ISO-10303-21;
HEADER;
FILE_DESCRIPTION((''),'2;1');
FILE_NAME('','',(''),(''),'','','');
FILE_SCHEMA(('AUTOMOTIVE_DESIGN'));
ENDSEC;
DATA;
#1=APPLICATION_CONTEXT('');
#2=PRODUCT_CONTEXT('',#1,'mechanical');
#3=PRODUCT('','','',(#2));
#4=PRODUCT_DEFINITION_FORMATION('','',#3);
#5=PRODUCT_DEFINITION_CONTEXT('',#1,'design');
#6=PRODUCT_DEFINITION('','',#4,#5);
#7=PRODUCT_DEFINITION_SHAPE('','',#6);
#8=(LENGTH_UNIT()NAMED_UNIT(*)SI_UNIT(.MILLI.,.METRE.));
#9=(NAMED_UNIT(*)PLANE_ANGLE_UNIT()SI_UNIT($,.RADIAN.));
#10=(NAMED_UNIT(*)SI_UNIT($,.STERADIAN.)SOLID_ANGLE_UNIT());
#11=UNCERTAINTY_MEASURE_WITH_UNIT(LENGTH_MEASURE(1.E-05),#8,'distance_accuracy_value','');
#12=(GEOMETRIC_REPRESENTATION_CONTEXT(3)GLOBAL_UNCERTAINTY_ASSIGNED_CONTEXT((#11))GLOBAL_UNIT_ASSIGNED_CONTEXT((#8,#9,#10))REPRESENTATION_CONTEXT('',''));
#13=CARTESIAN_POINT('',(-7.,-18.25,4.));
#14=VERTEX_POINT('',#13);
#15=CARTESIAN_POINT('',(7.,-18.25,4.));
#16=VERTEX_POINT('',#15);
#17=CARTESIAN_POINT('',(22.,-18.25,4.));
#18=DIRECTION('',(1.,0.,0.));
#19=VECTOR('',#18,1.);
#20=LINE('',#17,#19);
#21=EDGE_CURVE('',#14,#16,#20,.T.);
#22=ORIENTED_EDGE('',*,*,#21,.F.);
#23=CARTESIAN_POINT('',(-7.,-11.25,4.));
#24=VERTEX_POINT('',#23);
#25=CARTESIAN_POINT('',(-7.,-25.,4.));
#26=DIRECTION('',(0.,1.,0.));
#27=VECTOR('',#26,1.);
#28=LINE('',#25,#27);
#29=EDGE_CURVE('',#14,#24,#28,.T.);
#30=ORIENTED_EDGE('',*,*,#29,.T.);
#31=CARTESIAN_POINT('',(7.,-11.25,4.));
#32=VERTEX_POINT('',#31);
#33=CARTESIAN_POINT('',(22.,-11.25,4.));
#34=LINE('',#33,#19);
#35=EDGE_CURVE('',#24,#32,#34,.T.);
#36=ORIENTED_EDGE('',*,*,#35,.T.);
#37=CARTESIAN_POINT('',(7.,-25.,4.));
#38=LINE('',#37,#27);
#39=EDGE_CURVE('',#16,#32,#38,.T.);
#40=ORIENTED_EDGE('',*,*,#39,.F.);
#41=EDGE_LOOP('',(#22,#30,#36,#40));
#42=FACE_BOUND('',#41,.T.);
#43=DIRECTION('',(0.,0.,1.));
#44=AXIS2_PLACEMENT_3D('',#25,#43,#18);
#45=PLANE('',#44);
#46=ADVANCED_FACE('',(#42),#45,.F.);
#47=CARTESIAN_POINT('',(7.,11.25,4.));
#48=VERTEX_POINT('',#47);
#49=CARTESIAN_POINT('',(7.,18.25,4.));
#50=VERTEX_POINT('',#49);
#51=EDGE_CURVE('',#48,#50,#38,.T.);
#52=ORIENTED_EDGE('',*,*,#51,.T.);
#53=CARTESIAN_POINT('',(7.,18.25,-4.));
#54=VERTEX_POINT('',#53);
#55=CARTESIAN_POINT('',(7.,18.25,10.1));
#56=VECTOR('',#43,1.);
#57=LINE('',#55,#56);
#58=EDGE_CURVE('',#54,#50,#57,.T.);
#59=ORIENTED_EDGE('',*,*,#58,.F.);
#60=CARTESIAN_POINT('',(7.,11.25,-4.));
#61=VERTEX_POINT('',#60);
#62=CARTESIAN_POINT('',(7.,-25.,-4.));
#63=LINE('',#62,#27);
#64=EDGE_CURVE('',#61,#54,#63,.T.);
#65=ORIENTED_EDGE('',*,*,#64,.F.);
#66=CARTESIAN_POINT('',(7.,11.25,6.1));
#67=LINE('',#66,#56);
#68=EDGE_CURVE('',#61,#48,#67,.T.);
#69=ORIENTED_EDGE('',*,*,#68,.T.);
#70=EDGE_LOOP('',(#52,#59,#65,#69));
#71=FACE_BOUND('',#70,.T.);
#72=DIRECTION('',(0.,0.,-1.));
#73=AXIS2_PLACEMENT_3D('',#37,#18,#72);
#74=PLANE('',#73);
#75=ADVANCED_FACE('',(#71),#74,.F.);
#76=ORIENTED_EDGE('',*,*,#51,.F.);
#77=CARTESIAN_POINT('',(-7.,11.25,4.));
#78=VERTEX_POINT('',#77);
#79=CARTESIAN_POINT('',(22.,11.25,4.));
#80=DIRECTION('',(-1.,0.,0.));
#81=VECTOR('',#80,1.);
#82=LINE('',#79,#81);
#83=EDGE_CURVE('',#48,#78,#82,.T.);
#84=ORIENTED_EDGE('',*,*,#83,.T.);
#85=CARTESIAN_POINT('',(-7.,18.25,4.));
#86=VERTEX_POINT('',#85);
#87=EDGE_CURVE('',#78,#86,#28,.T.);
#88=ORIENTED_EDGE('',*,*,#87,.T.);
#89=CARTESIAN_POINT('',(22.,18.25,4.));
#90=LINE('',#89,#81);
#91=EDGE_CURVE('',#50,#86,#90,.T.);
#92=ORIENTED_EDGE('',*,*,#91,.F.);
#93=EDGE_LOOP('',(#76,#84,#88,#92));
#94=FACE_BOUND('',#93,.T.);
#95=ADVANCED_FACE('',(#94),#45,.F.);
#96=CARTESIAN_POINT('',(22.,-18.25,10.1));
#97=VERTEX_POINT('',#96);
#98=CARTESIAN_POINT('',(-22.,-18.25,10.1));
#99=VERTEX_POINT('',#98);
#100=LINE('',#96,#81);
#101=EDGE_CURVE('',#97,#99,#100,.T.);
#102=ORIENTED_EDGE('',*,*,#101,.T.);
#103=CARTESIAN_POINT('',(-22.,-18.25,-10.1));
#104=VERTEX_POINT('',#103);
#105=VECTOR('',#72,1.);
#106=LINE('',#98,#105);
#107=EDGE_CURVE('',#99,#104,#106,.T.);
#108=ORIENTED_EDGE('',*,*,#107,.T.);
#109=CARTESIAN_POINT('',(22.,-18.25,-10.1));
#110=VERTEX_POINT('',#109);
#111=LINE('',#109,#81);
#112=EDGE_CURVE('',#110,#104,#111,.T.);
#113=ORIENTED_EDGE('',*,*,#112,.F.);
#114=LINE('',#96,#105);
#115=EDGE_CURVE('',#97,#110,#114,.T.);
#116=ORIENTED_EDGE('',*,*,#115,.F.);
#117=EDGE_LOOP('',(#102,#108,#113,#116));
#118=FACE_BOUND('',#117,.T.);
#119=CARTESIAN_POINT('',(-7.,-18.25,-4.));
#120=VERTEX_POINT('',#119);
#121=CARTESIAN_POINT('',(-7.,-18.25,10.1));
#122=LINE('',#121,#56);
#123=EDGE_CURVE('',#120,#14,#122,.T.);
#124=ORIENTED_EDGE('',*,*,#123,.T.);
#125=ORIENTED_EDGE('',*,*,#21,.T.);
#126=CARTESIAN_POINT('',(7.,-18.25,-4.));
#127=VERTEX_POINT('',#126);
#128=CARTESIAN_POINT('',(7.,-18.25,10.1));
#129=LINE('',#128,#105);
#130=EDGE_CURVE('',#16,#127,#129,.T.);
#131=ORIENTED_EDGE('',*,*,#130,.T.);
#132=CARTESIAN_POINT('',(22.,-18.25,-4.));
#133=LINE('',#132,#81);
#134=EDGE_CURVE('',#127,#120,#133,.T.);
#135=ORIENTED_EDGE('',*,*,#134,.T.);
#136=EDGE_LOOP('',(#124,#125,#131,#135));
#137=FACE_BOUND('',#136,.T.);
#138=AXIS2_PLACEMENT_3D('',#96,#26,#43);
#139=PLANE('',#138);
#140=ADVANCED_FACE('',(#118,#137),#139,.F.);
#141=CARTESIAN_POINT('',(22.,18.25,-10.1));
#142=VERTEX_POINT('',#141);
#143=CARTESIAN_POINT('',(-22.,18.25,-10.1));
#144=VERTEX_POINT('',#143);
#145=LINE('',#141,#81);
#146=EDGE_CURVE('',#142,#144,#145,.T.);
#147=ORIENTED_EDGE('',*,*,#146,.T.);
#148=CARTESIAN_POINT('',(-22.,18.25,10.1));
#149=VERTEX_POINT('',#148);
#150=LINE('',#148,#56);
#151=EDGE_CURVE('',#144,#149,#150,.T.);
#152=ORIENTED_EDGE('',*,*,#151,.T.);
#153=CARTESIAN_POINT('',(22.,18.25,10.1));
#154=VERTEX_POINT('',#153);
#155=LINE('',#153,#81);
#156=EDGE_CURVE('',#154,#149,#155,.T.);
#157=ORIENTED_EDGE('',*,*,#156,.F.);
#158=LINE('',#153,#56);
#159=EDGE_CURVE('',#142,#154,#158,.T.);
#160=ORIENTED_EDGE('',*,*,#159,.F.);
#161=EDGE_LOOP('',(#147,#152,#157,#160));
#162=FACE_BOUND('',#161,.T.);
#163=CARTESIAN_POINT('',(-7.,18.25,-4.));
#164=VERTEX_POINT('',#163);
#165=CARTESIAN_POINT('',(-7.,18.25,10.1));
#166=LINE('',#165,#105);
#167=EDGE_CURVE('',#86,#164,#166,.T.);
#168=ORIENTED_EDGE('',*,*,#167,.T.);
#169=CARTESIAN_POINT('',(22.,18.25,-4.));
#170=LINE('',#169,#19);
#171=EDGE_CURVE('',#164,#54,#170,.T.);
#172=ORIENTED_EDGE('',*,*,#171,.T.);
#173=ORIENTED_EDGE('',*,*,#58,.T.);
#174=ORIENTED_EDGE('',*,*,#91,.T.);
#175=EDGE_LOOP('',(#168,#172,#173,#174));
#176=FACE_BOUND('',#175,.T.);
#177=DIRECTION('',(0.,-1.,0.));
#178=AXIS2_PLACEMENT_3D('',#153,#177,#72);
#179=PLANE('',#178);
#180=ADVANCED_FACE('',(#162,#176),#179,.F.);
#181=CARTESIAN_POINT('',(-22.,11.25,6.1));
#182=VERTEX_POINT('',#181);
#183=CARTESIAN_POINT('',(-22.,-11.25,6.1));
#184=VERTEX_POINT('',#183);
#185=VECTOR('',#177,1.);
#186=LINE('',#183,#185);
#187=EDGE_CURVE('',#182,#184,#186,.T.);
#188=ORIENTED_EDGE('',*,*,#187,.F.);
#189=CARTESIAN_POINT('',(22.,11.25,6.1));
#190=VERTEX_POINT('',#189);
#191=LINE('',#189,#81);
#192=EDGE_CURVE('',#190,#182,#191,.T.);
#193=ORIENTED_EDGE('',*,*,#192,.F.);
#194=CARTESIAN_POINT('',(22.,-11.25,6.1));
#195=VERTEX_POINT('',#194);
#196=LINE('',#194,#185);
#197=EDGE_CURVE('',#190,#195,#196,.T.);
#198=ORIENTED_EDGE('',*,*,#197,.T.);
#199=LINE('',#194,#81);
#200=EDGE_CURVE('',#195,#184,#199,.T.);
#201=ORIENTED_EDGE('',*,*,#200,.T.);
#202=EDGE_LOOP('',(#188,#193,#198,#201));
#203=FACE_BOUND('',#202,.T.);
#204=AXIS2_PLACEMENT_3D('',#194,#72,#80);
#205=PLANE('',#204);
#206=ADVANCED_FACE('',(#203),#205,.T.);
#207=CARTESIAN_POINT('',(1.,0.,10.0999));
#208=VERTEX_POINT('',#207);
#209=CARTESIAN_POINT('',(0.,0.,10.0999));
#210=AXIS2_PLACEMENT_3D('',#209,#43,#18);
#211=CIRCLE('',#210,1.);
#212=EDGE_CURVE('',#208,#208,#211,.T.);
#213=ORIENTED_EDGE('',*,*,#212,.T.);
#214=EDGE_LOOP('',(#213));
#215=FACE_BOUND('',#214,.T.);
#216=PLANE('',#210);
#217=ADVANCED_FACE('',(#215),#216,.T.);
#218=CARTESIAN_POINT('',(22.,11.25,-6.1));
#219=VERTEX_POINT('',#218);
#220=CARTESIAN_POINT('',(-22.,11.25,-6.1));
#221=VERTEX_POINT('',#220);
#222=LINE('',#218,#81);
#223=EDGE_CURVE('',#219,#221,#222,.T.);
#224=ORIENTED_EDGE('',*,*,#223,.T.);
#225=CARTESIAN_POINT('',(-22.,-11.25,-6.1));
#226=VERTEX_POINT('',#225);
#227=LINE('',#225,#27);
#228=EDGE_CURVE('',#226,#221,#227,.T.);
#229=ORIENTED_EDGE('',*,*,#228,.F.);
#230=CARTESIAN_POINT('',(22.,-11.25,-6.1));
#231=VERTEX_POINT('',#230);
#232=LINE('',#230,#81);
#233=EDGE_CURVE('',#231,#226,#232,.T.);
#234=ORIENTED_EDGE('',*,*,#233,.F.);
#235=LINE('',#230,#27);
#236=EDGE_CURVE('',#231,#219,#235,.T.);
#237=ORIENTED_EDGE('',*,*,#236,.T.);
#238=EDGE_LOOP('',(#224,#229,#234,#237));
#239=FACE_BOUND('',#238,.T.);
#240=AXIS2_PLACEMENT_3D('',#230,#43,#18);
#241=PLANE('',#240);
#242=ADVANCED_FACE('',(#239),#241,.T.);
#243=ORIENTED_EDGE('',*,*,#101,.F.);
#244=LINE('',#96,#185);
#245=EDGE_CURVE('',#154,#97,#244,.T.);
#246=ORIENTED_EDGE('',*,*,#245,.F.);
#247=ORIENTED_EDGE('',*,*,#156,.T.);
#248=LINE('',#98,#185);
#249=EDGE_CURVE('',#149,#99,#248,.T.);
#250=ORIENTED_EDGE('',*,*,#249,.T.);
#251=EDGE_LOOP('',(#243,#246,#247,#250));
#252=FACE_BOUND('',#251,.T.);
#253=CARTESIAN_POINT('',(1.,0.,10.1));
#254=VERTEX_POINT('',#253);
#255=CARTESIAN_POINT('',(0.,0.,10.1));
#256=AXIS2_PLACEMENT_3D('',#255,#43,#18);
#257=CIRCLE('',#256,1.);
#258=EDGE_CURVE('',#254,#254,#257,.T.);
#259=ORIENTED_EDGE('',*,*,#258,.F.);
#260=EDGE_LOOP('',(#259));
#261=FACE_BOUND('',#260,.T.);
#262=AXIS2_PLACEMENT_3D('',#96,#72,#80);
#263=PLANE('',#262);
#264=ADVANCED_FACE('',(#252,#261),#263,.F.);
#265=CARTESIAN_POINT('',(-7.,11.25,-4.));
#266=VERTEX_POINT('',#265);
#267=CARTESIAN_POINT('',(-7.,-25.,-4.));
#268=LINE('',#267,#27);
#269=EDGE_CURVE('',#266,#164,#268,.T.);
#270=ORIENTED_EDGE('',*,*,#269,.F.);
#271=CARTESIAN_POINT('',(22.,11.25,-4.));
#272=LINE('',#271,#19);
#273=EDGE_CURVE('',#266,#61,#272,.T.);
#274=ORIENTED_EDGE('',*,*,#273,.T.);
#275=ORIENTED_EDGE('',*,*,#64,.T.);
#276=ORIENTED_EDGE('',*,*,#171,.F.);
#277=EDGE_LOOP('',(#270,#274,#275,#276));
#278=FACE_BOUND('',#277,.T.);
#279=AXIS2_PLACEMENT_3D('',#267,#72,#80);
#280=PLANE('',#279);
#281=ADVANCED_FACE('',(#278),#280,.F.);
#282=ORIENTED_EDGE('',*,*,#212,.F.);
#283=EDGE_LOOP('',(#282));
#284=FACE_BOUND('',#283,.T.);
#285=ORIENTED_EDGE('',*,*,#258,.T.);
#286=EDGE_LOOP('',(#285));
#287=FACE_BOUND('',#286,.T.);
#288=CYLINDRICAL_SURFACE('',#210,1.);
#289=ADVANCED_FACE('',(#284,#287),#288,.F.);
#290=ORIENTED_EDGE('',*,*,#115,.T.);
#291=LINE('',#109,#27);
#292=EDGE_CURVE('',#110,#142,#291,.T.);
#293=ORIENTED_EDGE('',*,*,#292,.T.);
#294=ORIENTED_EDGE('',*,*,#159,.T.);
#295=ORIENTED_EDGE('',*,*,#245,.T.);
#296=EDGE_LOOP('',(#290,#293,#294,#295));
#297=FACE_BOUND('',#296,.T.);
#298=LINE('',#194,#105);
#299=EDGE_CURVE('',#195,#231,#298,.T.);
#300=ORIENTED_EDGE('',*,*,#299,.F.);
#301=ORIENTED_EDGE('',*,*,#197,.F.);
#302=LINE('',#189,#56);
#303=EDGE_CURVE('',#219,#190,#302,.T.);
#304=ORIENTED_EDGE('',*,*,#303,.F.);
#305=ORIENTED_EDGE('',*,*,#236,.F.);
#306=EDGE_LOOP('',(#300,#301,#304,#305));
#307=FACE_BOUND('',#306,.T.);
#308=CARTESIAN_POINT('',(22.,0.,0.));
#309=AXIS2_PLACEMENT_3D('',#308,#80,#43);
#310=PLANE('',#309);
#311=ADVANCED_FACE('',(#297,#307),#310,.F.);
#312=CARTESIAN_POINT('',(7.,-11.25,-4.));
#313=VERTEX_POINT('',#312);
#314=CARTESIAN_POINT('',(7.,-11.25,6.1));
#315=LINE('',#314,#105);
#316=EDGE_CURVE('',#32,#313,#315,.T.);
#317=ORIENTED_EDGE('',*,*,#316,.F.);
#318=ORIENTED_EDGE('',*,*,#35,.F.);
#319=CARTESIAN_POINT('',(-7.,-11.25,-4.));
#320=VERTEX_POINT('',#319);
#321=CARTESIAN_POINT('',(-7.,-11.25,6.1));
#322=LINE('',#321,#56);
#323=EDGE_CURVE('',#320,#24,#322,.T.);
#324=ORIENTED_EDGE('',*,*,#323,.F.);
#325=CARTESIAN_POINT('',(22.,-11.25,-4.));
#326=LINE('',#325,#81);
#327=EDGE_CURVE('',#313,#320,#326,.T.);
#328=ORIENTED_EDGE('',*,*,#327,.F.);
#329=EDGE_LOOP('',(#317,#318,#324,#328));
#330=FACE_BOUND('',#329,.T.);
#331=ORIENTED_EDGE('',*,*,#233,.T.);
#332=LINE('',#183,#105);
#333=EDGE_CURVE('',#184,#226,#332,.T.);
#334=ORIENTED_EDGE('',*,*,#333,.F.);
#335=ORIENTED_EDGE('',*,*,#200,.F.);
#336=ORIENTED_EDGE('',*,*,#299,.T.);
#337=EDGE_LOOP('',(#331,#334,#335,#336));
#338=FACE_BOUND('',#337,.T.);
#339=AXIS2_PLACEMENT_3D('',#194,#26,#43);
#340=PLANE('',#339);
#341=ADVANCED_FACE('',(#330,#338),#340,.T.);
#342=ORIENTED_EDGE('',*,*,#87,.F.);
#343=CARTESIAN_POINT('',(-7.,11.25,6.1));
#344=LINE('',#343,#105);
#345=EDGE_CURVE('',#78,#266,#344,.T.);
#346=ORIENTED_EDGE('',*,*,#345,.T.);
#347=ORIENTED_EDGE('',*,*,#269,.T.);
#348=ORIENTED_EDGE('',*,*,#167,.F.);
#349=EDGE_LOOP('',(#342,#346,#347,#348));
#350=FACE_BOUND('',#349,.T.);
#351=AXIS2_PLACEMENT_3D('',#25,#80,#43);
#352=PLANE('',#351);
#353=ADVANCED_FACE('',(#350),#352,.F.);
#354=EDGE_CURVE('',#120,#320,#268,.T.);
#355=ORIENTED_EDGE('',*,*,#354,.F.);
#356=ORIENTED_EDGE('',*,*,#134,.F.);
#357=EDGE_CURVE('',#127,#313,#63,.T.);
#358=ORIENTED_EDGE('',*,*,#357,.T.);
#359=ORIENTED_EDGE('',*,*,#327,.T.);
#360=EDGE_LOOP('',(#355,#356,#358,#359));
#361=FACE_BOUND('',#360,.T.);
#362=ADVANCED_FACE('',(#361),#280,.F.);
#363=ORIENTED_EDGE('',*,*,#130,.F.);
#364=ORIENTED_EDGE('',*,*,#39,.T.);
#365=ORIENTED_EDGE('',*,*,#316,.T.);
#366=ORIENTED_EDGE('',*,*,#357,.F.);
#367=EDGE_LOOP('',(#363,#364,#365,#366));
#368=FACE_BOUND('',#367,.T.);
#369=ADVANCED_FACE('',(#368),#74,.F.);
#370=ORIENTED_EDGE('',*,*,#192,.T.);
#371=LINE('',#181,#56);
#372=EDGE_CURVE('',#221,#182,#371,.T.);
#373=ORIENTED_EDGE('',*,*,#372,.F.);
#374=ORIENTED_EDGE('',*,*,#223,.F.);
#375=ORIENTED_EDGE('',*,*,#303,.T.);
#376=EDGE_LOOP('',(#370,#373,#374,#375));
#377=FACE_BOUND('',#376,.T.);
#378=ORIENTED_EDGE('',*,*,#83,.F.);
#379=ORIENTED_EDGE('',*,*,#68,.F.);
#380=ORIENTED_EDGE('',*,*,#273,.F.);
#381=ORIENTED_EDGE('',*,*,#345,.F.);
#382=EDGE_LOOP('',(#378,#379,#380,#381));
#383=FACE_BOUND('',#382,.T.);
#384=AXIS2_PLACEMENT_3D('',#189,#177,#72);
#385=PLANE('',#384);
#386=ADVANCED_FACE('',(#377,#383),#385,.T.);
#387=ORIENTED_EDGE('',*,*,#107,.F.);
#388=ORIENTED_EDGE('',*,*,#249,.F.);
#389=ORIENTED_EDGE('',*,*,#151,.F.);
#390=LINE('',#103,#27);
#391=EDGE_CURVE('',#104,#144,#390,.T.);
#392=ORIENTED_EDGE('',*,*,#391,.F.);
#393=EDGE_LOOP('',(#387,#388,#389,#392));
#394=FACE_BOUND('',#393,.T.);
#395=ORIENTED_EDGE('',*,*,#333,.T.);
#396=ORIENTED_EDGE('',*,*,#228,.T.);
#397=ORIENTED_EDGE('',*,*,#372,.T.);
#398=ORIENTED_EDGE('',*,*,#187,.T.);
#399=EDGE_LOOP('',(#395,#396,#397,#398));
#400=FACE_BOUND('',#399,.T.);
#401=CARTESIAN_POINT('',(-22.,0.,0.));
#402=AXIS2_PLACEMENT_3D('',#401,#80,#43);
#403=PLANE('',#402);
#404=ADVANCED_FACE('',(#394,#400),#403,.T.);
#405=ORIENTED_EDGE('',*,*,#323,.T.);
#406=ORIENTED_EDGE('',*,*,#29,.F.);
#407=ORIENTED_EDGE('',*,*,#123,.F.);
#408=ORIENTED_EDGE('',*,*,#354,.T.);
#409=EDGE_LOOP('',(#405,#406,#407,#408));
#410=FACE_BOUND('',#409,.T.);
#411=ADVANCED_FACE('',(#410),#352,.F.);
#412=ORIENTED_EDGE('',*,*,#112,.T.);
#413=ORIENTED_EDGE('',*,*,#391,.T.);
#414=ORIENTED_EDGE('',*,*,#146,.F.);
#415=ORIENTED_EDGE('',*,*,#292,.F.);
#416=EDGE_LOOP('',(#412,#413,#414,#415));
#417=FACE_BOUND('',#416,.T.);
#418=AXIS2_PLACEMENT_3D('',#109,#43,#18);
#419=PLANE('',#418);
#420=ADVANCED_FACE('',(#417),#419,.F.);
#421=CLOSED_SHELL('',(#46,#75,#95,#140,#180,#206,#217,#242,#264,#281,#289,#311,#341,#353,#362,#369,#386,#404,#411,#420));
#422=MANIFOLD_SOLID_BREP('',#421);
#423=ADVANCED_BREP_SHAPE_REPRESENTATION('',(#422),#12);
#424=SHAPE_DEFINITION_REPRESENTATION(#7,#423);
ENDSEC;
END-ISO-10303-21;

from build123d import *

# Parameters (mm, degrees)
SKETCH1_W           = 20.2
SKETCH1_H           = 36.5
SKETCH1_W_2         = 12.2
SKETCH1_H_2         = 22.5
BOSS_EXTRUDE1_DEPTH = 22
SKETCH3_R           = 1
CUT_EXTRUDE2_DEPTH  = 0.0001
SKETCH6_W           = 14
SKETCH6_H           = 8
CUT_EXTRUDE3_DEPTH  = 25


with BuildPart() as part:
    # Sketch1 → Boss-Extrude1 (new body, symmetric)
    with BuildSketch(Plane(origin=(0, 0, 0), x_dir=(0, 0, -1), z_dir=(1, 0, 0))):
        Rectangle(SKETCH1_W, SKETCH1_H)
        Rectangle(SKETCH1_W_2, SKETCH1_H_2, mode=Mode.SUBTRACT)
    extrude(amount=BOSS_EXTRUDE1_DEPTH, both=True)

    # Sketch3 → Cut-Extrude2 (cut)
    with BuildSketch(Plane.XY.offset(10.1)):
        Circle(SKETCH3_R)
    extrude(amount=-CUT_EXTRUDE2_DEPTH, mode=Mode.SUBTRACT)

    # Sketch6 → Cut-Extrude3 (cut, symmetric)
    with BuildSketch(Plane(origin=(0, 0, 0), x_dir=(1, 0, 0), z_dir=(0, 1, 0))):
        Rectangle(SKETCH6_W, SKETCH6_H)
    extrude(amount=CUT_EXTRUDE3_DEPTH, both=True, mode=Mode.SUBTRACT)


solid = part.part
